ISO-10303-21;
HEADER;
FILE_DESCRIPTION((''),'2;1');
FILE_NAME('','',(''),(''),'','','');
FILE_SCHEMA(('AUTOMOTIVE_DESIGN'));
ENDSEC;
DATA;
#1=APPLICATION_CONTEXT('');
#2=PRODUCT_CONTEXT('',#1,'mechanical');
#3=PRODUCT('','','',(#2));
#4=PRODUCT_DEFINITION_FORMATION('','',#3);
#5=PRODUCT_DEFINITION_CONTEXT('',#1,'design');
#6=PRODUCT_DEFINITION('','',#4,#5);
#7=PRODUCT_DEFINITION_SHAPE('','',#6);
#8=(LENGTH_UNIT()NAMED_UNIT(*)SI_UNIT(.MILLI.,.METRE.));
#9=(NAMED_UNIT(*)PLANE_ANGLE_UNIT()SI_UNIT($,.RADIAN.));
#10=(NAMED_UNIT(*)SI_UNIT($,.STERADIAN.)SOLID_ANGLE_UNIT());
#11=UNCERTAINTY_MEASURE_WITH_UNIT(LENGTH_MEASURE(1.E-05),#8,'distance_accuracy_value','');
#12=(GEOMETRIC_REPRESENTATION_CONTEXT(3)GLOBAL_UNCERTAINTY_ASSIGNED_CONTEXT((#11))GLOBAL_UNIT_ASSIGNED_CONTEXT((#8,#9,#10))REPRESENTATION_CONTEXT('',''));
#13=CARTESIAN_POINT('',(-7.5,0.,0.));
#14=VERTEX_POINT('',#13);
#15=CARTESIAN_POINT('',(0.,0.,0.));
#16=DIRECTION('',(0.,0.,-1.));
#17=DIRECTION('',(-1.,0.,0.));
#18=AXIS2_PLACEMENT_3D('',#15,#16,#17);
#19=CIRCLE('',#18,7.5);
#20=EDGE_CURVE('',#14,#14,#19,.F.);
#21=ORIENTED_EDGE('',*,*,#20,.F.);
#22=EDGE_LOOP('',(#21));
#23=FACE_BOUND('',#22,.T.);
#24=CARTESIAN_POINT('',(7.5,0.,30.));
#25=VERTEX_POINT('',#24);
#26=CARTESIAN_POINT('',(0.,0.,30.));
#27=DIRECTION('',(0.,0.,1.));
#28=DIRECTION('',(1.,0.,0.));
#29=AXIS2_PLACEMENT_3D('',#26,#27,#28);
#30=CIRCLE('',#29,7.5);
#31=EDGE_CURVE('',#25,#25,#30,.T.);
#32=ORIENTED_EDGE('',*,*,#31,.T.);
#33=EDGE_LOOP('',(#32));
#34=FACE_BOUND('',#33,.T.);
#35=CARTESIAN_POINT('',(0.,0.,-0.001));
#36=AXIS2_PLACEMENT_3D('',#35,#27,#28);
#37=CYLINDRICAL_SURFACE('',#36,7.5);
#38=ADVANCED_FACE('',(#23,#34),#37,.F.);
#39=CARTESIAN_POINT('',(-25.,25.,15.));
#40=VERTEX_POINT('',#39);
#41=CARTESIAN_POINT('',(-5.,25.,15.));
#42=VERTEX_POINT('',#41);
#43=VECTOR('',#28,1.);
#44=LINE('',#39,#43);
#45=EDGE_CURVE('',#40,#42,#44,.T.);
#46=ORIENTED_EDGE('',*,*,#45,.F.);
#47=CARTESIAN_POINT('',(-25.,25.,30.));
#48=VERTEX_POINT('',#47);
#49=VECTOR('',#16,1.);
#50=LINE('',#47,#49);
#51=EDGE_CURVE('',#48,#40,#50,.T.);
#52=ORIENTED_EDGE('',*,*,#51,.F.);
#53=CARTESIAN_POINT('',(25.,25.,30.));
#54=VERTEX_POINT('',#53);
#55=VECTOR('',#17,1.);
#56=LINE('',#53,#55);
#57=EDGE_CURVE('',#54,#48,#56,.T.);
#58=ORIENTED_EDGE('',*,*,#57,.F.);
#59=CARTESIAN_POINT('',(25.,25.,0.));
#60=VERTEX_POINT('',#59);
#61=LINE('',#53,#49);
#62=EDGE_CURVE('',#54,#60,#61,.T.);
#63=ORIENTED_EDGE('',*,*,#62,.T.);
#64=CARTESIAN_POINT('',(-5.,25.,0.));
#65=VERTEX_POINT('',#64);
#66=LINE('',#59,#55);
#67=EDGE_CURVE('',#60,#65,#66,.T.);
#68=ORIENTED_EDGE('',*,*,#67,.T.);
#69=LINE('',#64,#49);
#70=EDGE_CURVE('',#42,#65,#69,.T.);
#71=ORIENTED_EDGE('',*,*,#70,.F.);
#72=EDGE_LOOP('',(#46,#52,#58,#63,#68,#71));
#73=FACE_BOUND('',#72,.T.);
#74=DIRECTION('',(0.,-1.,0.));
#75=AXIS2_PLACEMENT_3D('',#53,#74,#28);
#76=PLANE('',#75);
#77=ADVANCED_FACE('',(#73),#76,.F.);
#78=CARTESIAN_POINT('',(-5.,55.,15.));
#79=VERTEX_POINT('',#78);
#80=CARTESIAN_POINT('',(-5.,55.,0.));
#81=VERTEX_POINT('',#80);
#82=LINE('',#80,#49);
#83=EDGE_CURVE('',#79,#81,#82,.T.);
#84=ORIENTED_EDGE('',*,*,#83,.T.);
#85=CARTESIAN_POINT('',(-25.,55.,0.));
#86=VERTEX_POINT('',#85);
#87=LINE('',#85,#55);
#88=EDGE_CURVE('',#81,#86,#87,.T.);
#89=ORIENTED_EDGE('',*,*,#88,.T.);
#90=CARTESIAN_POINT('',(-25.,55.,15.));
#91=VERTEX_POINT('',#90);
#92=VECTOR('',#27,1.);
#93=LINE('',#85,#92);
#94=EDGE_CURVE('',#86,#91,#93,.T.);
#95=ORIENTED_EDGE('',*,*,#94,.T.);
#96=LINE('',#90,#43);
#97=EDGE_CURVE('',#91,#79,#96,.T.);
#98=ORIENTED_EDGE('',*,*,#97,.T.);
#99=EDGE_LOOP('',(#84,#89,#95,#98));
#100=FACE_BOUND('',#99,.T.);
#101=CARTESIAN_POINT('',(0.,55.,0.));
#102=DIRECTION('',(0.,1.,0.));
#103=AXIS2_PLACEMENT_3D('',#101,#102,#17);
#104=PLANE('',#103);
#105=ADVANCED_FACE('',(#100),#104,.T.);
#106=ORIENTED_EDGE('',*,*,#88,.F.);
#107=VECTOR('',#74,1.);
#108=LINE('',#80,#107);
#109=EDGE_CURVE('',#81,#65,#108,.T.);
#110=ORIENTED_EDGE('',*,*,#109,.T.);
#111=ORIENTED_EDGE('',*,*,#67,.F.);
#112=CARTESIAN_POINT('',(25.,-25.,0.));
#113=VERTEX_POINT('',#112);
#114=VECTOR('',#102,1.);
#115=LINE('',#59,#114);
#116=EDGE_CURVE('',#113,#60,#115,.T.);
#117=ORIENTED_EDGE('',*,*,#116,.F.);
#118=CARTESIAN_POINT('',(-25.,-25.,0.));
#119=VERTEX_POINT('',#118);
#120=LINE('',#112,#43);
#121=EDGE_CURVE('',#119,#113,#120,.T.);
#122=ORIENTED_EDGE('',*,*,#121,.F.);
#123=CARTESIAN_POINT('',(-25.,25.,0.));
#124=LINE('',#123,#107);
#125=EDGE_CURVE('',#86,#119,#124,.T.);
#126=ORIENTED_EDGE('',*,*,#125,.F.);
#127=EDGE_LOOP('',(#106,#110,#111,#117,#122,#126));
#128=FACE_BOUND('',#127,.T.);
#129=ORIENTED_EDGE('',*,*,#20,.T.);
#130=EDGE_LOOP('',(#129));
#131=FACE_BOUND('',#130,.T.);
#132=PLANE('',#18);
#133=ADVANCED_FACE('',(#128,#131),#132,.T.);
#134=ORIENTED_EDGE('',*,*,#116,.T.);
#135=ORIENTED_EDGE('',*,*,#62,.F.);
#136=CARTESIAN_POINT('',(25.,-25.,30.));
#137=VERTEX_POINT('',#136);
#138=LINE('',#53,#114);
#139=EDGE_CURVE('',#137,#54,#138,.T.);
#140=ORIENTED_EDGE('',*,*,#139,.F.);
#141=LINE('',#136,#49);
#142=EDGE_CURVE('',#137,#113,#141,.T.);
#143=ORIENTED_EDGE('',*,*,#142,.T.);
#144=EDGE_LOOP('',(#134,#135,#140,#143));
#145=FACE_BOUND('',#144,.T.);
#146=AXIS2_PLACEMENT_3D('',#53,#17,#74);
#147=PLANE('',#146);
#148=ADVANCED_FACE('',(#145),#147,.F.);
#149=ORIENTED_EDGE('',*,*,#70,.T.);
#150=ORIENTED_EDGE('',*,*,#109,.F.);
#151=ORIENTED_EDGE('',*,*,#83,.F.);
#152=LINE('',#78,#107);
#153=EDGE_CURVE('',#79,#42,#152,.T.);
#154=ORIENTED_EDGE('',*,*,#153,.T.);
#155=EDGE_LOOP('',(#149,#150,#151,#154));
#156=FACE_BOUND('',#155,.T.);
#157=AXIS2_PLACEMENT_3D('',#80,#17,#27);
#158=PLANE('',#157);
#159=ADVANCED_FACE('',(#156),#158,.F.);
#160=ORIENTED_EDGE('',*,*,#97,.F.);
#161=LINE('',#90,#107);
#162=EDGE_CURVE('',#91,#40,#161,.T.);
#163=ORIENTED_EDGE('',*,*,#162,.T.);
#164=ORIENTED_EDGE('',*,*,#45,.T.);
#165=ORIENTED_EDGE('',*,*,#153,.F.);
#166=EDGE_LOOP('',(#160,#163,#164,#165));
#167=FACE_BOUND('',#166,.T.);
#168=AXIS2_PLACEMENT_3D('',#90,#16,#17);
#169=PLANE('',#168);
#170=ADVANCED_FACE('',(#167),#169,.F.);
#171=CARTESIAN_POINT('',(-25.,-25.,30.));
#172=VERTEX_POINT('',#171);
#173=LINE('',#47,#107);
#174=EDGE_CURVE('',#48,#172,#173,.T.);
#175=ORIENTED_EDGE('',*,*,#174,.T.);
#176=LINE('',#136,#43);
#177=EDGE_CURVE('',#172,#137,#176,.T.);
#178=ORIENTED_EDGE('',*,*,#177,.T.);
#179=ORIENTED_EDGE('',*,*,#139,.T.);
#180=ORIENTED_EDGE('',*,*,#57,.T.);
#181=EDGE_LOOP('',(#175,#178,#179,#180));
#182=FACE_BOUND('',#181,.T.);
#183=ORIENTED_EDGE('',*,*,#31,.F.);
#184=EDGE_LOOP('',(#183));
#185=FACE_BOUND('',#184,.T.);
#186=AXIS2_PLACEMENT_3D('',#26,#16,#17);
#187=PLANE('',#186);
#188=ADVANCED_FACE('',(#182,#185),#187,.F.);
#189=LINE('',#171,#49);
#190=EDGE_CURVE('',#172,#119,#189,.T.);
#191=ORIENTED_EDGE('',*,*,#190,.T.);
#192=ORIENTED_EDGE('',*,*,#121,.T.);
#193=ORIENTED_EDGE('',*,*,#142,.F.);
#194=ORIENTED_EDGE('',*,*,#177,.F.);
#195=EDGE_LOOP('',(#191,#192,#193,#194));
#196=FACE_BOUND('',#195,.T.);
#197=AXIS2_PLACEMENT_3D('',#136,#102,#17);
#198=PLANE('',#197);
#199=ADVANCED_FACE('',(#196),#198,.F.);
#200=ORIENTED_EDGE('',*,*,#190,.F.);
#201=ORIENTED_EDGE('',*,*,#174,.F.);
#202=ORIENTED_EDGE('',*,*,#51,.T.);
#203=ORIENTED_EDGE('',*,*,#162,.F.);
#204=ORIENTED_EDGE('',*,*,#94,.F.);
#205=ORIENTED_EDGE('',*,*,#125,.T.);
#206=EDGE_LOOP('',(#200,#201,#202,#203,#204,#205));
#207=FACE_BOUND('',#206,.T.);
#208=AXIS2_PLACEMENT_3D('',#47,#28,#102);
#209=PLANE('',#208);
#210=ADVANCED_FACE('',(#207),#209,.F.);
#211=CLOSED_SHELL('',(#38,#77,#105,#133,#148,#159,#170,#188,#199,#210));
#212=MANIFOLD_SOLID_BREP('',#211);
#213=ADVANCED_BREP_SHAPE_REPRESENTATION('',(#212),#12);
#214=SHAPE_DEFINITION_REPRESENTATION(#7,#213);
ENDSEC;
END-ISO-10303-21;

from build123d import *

# Parameters (mm, degrees)
SKETCH1_W           = 50
SKETCH1_H           = 50
BOSS_EXTRUDE1_DEPTH = 30
CUT_EXTRUDE1_REACH  = 48.368
SKETCH2_R           = 7.5
SKETCH4_W           = 20
SKETCH4_H           = 15
BOSS_EXTRUDE3_DEPTH = 30


with BuildPart() as part:
    # Sketch1 → Boss-Extrude1 (new body)
    with BuildSketch(Plane.XY):
        Rectangle(SKETCH1_W, SKETCH1_H)
    extrude(amount=BOSS_EXTRUDE1_DEPTH)

    # Sketch2 → Cut-Extrude1 (cut, up to next)
    with BuildSketch(Plane.XY.offset(30), mode=Mode.PRIVATE) as cut_extrude1_sk1:
        Circle(SKETCH2_R)
    cut_extrude1_tool1 = extrude(cut_extrude1_sk1.sketch, amount=-CUT_EXTRUDE1_REACH, mode=Mode.PRIVATE) & part.part
    add(cut_extrude1_tool1.solids().sort_by_distance((0, 0, 30))[0], mode=Mode.SUBTRACT)

    # Sketch4 → Boss-Extrude3 (add)
    with BuildSketch(Plane(origin=(0, 25, 0), x_dir=(1, 0, 0), z_dir=(0, 1, 0))):
        with Locations((-15, -7.5)):
            Rectangle(SKETCH4_W, SKETCH4_H)
    extrude(amount=BOSS_EXTRUDE3_DEPTH)


solid = part.part
